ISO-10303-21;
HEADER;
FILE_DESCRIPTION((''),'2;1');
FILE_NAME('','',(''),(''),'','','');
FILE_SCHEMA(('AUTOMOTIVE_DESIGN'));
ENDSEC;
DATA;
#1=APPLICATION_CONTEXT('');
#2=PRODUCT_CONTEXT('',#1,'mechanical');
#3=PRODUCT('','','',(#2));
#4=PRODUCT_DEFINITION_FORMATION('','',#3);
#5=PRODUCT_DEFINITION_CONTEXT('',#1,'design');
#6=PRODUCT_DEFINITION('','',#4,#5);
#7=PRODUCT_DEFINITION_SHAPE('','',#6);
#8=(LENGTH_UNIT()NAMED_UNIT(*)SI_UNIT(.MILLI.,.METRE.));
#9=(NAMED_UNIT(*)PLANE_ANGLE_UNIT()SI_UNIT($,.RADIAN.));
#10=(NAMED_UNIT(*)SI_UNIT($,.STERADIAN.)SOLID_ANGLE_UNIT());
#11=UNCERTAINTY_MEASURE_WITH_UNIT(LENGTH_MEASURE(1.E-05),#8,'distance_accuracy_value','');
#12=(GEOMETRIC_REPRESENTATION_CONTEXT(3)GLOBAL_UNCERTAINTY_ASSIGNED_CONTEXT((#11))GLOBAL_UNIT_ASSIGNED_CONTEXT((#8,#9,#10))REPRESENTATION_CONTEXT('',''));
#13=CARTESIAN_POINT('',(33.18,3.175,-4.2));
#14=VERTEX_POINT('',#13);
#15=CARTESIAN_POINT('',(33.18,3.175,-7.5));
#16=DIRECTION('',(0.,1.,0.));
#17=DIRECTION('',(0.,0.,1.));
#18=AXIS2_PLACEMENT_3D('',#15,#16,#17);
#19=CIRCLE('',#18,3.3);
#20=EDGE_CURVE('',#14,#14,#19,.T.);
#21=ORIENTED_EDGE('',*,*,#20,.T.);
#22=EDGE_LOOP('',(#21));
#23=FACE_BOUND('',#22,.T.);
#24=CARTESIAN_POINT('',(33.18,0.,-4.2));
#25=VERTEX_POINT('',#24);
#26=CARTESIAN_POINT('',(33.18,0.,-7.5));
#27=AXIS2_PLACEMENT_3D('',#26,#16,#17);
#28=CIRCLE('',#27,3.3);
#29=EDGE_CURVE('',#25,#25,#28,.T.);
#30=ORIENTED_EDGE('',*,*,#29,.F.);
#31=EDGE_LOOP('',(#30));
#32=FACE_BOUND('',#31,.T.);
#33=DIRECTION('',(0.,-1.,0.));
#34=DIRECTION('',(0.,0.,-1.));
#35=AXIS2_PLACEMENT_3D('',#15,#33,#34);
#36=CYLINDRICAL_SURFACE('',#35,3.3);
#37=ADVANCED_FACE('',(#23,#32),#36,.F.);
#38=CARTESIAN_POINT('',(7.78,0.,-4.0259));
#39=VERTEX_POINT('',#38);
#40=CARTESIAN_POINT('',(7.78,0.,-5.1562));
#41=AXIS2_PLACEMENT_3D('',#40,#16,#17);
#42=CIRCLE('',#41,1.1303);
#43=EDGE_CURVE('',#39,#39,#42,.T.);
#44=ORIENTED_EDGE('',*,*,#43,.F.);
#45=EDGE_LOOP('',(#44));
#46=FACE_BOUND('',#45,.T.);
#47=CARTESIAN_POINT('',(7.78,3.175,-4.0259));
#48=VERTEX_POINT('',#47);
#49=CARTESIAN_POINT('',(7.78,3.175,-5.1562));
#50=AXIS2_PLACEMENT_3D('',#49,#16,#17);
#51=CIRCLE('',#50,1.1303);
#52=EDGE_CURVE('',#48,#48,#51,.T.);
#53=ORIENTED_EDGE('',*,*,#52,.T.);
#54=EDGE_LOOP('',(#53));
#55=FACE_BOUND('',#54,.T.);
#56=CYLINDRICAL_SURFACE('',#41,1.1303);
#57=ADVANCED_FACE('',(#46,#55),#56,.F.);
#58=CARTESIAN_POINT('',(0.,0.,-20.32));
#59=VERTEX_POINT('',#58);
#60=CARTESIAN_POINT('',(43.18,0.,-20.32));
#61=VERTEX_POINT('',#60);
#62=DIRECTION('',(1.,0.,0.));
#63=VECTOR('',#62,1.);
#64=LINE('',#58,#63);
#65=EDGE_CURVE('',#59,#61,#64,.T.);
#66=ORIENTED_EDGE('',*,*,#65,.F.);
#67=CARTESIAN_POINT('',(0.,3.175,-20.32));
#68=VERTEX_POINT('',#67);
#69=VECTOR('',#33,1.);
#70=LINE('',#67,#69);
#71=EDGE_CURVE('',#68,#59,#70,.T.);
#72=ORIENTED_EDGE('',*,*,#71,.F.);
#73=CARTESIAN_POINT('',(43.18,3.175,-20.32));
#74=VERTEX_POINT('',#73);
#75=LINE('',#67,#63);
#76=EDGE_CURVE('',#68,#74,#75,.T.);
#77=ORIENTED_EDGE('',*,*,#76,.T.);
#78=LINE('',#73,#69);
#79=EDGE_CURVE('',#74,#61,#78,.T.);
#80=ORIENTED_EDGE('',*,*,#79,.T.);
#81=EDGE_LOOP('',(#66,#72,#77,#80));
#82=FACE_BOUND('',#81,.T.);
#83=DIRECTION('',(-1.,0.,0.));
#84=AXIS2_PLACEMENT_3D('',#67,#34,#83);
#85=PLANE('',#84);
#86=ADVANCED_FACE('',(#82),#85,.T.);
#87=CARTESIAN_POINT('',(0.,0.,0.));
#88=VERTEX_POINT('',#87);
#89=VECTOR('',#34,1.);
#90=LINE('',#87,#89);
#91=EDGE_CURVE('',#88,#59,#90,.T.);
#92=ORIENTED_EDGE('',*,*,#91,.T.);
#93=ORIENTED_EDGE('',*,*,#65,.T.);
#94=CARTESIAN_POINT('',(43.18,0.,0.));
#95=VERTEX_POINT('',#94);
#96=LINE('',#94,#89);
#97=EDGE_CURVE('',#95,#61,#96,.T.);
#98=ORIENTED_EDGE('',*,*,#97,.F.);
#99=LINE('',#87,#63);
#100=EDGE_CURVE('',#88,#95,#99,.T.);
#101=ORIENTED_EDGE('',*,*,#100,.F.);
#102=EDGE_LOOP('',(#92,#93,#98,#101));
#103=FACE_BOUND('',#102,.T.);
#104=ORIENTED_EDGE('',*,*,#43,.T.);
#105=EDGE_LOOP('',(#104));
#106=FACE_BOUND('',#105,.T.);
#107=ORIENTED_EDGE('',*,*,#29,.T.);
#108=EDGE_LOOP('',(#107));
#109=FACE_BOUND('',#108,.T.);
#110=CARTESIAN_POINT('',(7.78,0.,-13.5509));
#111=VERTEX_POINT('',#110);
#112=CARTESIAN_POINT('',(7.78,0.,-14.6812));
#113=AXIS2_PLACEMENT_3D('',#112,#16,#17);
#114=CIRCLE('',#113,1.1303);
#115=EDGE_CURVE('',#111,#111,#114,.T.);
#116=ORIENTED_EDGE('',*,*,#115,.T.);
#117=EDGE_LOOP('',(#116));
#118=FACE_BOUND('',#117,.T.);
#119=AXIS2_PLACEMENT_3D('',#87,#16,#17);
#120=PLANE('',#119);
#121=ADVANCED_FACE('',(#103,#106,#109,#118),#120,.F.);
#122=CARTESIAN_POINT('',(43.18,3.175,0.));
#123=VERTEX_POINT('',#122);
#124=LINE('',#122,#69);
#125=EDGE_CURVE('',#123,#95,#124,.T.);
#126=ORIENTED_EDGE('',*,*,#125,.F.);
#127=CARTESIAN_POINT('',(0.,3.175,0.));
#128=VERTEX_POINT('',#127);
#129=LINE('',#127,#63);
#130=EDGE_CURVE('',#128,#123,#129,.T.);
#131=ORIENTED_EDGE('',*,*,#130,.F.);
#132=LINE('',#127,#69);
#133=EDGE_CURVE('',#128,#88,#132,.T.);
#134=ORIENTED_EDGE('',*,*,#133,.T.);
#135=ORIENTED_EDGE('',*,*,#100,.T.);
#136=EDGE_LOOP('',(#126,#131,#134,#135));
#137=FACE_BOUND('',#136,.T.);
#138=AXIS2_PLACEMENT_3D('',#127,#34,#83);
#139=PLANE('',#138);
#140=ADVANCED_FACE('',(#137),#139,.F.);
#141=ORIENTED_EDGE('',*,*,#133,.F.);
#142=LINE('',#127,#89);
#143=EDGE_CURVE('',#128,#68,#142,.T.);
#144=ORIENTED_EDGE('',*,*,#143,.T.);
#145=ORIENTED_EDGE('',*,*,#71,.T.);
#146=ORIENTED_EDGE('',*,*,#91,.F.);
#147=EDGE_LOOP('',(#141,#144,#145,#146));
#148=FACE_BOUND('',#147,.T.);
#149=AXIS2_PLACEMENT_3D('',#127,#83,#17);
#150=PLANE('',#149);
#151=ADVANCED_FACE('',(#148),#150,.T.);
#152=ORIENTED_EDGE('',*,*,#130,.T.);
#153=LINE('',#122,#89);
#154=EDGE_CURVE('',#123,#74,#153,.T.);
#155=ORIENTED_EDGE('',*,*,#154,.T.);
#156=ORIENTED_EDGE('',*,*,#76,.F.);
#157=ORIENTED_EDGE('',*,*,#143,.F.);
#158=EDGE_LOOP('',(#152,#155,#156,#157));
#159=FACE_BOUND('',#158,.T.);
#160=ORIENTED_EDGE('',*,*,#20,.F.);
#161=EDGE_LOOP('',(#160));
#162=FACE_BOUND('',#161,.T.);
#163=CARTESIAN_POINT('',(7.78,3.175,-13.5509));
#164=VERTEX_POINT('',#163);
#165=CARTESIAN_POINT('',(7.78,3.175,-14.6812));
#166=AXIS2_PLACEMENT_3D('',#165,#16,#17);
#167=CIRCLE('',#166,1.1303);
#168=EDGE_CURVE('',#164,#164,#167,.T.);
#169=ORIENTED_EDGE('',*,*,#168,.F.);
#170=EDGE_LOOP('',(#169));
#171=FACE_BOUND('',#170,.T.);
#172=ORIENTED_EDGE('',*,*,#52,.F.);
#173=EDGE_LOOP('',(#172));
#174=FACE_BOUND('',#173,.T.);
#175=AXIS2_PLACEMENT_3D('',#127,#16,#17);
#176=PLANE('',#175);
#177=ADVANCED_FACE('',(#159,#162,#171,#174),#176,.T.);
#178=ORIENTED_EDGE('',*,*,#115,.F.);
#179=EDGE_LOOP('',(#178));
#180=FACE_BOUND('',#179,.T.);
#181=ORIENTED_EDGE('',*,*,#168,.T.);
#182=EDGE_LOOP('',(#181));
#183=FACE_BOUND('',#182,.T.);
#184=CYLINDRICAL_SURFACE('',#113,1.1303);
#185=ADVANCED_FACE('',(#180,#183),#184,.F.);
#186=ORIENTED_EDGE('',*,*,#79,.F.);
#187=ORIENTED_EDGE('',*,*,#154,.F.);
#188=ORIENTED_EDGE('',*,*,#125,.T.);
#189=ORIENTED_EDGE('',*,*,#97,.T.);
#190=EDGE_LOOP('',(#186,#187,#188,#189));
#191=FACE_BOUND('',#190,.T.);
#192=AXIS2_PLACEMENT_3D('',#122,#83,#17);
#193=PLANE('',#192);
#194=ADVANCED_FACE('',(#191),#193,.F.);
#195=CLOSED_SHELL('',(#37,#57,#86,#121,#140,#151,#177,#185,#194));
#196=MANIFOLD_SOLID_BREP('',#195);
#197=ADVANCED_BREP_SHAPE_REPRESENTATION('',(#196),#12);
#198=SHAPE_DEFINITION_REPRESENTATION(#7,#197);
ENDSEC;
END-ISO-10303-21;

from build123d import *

# Parameters (mm, degrees)
SKETCH1_W           = 43.18
SKETCH1_H           = 20.32
SKETCH1_R           = 3.3
BOSS_EXTRUDE1_DEPTH = 3.175
SKETCH2_R           = 1.1303
CUT_EXTRUDE1_DEPTH  = 48.827768346


with BuildPart() as part:
    # Sketch1 → Boss-Extrude1 (new body)
    with BuildSketch(Plane(origin=(0, 0, 0), x_dir=(1, 0, 0), z_dir=(0, 1, 0))):
        with Locations((21.59, 10.16)):
            Rectangle(SKETCH1_W, SKETCH1_H)
        with Locations(Location((33.18, 7.5, 0), (0, 0, 270))):
            Circle(SKETCH1_R, mode=Mode.SUBTRACT)
    extrude(amount=BOSS_EXTRUDE1_DEPTH)

    # Sketch2 → Cut-Extrude1 (cut, through all)
    with BuildSketch(Plane(origin=(0, 3.175, 0), x_dir=(1, 0, 0), z_dir=(0, 1, 0))):
        with Locations(Location((7.779999934, 5.1562, 0), (0, 0, 270))):
            Circle(SKETCH2_R)
        with Locations(Location((7.779999934, 14.6812, 0), (0, 0, 270))):
            Circle(SKETCH2_R)
    extrude(amount=-CUT_EXTRUDE1_DEPTH, mode=Mode.SUBTRACT)


solid = part.part
